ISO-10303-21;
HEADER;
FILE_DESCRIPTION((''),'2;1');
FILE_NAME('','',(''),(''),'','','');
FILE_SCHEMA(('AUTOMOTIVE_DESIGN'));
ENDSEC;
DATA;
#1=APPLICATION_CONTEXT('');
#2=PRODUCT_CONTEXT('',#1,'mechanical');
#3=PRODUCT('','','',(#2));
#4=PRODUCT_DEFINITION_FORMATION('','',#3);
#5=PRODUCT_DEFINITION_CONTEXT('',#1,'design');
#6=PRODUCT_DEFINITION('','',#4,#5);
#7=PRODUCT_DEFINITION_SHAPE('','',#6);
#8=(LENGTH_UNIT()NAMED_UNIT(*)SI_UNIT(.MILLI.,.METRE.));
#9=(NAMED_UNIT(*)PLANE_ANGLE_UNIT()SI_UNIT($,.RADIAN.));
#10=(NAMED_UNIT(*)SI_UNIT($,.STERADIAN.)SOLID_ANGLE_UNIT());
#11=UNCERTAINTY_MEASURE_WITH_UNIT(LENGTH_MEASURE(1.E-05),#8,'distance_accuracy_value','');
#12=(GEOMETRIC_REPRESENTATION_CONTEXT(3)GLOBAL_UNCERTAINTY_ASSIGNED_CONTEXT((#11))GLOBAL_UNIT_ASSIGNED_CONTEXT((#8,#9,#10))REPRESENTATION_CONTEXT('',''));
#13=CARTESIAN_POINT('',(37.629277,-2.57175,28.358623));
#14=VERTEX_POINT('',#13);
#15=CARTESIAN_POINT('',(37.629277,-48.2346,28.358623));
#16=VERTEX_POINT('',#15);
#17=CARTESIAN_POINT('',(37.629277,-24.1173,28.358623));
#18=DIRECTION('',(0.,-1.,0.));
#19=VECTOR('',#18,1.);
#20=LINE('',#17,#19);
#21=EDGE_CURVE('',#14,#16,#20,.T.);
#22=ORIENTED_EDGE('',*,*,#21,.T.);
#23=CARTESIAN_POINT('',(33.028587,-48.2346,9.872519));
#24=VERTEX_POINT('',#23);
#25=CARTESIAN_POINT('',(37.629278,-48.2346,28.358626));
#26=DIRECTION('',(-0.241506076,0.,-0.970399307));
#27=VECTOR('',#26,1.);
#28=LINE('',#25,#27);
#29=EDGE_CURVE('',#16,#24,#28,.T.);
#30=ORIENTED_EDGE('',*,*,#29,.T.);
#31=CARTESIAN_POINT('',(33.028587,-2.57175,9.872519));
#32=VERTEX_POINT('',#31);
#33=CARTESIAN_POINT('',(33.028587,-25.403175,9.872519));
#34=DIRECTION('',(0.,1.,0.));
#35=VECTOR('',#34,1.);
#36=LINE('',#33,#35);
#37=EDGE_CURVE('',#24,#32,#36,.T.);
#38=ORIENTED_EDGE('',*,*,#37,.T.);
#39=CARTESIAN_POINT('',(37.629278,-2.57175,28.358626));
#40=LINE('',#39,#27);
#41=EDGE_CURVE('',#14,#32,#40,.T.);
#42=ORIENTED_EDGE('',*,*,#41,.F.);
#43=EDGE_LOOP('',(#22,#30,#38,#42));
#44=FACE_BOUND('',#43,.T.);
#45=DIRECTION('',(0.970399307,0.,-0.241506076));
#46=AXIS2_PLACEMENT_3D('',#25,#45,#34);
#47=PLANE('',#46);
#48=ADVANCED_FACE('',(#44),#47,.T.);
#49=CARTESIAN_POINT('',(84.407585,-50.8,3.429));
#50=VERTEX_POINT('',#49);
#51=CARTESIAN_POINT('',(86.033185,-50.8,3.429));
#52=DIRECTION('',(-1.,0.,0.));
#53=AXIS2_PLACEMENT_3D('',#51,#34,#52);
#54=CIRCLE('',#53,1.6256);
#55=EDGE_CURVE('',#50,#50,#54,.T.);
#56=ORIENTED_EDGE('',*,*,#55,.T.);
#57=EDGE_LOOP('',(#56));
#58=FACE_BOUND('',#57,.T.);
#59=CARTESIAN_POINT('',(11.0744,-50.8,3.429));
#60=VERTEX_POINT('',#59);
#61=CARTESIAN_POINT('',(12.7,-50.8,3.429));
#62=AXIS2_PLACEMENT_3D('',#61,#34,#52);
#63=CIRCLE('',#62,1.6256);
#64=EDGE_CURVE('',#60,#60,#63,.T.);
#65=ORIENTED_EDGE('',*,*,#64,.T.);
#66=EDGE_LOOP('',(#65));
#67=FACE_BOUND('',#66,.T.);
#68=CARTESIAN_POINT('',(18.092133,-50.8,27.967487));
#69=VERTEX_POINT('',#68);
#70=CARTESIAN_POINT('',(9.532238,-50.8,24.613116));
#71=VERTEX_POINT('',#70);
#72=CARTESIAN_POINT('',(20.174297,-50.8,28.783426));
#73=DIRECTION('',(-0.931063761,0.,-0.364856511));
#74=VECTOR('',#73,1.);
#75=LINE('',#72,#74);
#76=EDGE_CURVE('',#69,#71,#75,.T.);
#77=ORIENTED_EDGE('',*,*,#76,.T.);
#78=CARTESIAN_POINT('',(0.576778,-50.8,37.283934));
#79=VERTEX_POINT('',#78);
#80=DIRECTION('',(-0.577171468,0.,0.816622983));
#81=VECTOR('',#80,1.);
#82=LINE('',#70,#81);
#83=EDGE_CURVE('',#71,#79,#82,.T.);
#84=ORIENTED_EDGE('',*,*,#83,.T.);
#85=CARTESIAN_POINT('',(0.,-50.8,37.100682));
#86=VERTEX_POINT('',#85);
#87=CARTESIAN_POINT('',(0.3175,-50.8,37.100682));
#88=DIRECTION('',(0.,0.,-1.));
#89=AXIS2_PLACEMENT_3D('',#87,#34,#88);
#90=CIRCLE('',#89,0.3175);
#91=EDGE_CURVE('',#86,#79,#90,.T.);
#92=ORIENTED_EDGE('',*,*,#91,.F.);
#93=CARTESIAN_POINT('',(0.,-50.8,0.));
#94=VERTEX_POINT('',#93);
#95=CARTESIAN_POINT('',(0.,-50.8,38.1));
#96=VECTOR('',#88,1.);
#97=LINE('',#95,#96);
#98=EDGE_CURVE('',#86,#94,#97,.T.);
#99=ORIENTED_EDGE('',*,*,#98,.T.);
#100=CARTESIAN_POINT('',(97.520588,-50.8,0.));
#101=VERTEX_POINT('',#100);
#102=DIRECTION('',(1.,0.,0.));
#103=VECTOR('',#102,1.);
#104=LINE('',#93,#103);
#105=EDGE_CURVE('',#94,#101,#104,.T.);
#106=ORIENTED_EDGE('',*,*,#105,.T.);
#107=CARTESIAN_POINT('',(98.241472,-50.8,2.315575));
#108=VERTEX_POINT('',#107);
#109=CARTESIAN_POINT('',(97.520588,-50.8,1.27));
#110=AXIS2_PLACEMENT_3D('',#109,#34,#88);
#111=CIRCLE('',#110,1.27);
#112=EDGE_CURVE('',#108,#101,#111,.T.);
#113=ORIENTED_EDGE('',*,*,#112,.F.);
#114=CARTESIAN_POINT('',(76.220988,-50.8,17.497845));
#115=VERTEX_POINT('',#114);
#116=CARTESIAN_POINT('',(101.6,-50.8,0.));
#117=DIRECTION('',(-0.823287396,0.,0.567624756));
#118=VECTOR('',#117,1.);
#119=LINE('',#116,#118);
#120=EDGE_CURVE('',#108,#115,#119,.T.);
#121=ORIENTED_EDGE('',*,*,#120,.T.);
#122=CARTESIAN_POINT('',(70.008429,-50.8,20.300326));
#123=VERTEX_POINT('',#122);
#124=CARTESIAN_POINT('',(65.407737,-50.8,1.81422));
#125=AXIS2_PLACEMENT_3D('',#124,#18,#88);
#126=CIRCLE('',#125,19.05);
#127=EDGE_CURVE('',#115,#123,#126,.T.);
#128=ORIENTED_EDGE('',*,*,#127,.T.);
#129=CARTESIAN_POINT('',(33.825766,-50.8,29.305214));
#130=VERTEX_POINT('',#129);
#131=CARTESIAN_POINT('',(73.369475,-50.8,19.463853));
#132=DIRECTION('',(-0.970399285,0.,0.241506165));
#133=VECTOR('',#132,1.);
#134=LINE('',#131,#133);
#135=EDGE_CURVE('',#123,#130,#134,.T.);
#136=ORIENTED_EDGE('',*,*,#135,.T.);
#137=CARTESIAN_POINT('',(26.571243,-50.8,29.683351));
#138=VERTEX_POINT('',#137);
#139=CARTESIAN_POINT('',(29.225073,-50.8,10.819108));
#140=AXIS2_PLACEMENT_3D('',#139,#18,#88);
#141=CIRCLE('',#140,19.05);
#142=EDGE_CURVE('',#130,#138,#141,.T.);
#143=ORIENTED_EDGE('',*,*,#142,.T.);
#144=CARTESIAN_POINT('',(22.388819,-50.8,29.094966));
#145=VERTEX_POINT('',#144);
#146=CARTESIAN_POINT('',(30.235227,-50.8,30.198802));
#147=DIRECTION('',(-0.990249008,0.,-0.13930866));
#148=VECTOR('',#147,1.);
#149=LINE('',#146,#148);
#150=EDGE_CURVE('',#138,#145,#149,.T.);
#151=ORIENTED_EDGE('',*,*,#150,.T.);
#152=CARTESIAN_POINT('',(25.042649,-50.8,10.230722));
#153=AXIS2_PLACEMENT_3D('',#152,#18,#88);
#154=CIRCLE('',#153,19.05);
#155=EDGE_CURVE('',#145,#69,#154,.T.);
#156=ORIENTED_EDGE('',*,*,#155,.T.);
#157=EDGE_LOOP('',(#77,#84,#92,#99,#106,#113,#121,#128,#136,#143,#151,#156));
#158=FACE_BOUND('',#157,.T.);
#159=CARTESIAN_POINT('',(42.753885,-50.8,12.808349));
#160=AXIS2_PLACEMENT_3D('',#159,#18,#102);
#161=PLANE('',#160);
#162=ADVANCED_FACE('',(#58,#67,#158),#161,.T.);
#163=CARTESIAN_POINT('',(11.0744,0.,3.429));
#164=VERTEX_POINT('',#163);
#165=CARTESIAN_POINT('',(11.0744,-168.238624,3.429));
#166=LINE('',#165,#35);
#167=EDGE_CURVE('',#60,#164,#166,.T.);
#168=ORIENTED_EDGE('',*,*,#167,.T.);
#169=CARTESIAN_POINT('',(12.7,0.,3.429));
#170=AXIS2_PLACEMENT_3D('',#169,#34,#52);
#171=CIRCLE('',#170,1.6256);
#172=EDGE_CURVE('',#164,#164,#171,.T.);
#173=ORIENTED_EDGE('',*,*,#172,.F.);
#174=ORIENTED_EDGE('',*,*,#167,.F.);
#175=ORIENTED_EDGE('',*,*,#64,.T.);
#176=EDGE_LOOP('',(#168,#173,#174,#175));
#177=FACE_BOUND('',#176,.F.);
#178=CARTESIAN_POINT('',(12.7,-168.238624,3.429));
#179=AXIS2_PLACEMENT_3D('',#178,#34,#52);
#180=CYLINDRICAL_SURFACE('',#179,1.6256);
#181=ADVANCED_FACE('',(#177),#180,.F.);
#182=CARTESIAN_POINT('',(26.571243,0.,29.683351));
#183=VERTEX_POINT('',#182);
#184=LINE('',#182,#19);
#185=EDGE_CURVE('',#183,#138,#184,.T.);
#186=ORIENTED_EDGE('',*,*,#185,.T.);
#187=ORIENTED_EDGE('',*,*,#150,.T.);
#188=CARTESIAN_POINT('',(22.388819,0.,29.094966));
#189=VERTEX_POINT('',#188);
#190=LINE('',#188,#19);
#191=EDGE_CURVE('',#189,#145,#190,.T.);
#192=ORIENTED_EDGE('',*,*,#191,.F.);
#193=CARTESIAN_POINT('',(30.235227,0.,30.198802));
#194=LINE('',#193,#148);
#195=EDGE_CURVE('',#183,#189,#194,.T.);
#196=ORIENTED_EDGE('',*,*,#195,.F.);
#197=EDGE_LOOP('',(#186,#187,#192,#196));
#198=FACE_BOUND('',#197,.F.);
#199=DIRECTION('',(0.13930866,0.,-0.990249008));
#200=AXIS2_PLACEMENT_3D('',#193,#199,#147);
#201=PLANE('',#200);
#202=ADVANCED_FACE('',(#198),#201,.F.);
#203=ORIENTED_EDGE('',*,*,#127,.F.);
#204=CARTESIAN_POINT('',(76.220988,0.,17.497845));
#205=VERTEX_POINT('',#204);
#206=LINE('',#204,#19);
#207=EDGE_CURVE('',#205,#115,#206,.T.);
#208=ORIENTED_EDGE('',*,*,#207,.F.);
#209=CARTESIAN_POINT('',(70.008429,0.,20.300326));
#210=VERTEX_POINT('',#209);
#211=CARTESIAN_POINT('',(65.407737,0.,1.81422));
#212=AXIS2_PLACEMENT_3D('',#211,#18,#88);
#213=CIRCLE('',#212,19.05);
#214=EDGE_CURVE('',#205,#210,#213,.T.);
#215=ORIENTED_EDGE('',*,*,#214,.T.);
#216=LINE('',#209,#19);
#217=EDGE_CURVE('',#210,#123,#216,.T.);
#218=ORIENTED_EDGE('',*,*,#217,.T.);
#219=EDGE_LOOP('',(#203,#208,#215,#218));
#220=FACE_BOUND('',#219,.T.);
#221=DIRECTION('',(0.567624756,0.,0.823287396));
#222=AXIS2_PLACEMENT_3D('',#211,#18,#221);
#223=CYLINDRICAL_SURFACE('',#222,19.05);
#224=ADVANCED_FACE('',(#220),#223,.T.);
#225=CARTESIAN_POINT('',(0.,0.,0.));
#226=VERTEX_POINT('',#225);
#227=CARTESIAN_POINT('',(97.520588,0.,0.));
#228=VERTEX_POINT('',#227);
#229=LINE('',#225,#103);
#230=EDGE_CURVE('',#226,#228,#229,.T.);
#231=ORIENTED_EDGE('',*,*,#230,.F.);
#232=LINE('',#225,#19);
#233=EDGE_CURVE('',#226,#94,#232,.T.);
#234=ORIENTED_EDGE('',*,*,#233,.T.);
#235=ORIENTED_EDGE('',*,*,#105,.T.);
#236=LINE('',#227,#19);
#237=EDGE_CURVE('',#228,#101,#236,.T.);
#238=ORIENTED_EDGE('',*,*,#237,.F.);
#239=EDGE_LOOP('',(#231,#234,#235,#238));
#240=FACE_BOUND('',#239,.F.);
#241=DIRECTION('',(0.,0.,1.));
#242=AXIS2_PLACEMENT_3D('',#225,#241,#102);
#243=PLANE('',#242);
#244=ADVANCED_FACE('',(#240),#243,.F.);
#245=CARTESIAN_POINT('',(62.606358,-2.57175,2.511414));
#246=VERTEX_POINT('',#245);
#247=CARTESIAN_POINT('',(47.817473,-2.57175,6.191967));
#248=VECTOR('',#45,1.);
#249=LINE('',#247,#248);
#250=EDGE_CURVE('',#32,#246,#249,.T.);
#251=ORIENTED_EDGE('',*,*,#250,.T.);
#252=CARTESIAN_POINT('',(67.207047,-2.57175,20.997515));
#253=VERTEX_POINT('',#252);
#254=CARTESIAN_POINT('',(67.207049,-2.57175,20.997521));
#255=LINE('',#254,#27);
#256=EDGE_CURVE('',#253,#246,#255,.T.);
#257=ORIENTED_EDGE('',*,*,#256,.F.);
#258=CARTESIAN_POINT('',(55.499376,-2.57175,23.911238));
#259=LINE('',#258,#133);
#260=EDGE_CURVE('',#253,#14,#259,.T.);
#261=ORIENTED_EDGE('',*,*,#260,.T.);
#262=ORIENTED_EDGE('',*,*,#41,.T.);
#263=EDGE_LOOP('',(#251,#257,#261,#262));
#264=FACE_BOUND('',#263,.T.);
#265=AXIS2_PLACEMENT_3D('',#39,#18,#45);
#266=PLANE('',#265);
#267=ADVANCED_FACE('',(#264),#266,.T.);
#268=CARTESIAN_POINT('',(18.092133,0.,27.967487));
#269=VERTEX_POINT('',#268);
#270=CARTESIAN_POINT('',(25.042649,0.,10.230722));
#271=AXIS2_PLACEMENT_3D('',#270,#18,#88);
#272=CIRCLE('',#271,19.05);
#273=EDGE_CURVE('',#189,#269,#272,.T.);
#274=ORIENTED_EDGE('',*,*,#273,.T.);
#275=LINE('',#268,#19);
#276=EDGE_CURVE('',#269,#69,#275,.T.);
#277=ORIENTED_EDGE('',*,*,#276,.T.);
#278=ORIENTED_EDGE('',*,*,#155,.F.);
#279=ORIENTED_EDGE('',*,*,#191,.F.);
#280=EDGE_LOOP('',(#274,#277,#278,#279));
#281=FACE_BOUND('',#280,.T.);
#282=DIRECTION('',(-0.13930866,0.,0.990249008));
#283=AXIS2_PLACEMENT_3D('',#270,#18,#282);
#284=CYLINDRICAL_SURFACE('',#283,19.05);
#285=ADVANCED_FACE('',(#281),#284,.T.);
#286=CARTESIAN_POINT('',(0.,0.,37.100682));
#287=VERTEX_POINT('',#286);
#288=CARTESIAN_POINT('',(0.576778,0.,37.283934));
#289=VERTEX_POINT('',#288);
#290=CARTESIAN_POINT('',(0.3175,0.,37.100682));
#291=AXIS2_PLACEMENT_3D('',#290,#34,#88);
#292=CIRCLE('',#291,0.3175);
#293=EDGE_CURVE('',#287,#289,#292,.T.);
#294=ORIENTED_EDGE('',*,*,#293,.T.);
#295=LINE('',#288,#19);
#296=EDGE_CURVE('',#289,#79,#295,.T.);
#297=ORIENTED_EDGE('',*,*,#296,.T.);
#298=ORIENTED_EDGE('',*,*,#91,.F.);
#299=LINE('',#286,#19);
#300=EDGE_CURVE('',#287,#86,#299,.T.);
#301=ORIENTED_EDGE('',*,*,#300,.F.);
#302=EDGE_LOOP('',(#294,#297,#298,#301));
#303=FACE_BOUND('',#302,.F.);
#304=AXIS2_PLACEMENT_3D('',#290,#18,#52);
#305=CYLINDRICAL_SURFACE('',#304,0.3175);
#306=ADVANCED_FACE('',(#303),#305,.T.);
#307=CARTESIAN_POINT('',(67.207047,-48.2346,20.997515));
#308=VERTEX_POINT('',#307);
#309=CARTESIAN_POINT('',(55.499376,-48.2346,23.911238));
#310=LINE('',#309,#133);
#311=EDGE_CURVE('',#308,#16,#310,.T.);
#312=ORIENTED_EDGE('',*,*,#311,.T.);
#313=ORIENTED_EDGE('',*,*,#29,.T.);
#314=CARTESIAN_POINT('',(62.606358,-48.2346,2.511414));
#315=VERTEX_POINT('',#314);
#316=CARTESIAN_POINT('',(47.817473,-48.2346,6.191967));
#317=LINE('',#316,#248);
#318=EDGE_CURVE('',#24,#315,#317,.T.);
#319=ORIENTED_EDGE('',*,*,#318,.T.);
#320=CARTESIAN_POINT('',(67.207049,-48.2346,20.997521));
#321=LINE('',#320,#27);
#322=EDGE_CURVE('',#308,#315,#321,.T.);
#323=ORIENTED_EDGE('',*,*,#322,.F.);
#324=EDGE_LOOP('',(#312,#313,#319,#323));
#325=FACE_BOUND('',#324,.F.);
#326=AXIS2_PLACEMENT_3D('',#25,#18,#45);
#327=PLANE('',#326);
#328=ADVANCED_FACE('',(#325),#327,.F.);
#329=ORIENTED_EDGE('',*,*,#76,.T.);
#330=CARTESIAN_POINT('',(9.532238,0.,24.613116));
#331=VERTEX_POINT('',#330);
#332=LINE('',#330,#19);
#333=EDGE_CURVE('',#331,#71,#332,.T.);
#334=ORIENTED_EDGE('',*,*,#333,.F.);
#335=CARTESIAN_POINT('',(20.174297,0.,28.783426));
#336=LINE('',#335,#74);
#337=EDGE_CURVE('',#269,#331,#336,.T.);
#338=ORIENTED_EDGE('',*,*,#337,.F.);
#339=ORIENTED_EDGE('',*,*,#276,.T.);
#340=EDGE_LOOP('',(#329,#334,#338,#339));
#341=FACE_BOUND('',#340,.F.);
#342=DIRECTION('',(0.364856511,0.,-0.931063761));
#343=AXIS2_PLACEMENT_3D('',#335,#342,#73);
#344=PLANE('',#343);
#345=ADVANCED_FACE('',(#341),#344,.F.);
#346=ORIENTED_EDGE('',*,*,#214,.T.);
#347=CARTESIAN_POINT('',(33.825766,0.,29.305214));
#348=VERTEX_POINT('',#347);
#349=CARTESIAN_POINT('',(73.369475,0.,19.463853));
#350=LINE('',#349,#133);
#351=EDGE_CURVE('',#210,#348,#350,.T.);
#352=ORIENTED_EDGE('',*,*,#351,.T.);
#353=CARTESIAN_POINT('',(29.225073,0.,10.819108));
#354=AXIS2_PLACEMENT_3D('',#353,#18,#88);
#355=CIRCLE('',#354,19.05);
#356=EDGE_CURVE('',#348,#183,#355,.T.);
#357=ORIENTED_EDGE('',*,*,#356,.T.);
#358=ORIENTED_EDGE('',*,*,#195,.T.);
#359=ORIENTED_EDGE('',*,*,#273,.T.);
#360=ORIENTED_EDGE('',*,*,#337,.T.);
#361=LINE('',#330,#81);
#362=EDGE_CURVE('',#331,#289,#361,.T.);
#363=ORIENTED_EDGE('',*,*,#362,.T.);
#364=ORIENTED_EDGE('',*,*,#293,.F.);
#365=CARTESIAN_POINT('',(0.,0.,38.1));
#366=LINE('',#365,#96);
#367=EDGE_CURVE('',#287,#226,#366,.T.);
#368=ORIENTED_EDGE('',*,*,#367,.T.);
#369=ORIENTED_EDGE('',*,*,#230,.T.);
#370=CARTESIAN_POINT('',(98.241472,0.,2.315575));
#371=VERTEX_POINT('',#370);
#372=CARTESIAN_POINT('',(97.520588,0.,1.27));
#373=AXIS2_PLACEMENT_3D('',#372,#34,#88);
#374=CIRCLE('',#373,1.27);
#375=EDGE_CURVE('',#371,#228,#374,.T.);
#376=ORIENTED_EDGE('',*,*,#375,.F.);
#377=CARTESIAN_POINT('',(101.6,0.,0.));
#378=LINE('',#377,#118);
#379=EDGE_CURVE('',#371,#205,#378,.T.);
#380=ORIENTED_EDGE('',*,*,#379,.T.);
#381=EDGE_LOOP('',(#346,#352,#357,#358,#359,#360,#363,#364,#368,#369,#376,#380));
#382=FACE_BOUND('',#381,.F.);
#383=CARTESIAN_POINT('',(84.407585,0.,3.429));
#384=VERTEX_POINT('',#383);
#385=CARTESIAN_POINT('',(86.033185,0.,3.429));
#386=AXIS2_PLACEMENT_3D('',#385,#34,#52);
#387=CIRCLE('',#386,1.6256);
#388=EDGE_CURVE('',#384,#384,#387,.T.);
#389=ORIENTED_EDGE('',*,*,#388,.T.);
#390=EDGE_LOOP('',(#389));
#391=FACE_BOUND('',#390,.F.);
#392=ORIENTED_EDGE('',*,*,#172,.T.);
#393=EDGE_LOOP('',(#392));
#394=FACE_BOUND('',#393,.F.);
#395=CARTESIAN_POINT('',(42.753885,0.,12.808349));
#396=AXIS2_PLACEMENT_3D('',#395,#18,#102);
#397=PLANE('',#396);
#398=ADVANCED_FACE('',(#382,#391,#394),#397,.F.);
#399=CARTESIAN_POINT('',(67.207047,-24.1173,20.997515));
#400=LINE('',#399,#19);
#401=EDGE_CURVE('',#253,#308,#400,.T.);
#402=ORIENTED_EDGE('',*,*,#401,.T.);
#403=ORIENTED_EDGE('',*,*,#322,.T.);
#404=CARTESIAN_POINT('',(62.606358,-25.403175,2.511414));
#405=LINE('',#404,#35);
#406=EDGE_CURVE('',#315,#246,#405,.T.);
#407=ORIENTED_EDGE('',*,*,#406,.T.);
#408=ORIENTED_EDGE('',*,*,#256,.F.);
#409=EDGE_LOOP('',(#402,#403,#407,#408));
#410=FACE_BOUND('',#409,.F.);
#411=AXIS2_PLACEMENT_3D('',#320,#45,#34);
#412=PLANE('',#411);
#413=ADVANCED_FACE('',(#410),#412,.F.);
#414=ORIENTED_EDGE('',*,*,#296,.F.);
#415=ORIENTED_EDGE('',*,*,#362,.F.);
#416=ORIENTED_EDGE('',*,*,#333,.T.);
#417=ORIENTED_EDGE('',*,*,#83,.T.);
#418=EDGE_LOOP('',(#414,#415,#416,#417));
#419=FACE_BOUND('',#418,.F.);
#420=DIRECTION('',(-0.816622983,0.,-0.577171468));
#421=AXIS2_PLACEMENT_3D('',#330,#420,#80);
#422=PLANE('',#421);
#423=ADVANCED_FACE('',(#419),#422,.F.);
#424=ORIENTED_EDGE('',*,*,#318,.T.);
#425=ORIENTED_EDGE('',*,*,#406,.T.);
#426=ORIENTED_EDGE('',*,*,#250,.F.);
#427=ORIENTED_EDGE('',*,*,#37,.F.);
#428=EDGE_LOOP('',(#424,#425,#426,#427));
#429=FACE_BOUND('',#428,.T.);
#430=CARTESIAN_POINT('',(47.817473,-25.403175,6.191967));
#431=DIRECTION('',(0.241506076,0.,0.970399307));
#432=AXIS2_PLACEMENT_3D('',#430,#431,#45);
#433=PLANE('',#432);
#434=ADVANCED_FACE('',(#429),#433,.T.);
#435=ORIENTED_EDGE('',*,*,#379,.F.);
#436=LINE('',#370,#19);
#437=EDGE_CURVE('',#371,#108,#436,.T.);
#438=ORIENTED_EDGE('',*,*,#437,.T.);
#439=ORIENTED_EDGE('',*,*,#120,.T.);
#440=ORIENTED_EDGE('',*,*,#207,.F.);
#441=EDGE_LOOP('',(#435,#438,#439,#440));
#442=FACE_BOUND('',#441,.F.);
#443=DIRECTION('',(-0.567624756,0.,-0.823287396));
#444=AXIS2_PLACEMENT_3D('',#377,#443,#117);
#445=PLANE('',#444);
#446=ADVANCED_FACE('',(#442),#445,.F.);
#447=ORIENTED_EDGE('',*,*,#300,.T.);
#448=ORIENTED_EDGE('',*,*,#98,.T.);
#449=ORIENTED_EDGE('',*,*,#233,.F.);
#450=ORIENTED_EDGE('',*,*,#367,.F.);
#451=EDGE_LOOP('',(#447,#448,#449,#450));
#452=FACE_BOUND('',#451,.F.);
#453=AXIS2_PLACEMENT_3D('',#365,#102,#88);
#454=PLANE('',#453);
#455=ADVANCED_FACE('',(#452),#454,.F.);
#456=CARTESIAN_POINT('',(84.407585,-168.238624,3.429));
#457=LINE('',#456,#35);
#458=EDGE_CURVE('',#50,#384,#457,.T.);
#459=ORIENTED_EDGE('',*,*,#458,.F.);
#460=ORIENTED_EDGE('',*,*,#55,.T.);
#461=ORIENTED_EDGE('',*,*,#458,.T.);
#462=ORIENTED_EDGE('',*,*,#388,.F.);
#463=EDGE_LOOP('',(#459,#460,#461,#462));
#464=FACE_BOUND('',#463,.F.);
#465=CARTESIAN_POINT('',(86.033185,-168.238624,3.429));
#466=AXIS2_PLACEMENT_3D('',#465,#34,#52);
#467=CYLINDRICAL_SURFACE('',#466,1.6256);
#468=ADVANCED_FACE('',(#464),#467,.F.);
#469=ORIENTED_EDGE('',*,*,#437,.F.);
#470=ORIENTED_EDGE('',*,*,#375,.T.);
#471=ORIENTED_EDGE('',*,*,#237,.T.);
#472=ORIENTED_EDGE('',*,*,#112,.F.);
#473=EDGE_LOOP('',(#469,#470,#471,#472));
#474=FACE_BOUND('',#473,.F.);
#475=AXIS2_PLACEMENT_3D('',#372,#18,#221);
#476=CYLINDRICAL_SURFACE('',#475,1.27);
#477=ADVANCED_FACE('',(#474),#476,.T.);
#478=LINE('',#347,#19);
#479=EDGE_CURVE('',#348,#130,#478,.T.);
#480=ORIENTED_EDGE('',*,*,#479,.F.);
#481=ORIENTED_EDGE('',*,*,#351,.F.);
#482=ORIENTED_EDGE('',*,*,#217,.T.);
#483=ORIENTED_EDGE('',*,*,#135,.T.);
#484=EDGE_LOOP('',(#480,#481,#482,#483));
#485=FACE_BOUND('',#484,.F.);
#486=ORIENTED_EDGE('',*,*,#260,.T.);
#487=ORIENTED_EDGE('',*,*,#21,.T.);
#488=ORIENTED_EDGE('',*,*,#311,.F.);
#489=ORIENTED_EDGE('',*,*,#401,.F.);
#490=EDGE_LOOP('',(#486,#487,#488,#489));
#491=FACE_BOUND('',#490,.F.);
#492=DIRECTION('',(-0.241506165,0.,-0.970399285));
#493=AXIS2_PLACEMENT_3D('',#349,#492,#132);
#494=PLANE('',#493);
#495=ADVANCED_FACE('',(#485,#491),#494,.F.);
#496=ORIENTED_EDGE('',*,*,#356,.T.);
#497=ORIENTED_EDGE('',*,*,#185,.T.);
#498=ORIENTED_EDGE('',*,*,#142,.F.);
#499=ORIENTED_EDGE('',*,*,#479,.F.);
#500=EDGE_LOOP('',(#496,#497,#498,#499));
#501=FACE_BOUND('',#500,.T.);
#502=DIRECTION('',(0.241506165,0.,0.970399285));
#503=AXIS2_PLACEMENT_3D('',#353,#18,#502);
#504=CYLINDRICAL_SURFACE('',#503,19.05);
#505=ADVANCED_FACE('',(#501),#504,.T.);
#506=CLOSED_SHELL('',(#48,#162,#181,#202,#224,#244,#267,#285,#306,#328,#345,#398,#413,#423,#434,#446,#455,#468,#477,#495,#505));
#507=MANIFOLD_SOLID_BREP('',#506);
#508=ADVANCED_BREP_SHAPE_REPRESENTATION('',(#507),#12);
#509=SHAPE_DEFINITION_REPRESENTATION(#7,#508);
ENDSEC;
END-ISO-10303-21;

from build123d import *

# Parameters (mm, degrees)
F1_DEPTH = 50.8
F2_R     = 19.05
F3_R     = 1.27
F4_W     = 30.48
F4_H     = 45.66285
F5_DEPTH = 19.05
F7_D     = 3.2512
F8_R     = 0.3175


with BuildPart() as f1:
    # F0 (on Front) → F1 (new body)
    with BuildSketch(Plane.XZ):
        Polygon((0, 38.1), (0, 0), (101.6, 0), (73.369475, 19.463853), (30.235227, 30.198802), (20.174297, 28.783426), (9.532238, 24.613116), align=None)
    extrude(amount=F1_DEPTH)

    # F2
    f2_edges = [f1.edges().sort_by_distance(p)[0] for p in [
        (30.235227, -25.4, 30.198802),
        (73.369475, -25.4, 19.463853),
        (20.174297, -25.4, 28.783426),
    ]]
    fillet(f2_edges, radius=F2_R)

    # F3
    f3_edges = [f1.edges().sort_by_distance(p)[0] for p in [
        (101.6, -25.4, 0),
    ]]
    fillet(f3_edges, radius=F3_R)

    # F4 (on face) → F5 (cut)
    with BuildSketch(Plane(origin=(8.84079, 0, 35.5233), x_dir=(0.970399, 0, -0.241506), z_dir=(0.241506, 0, 0.970399))):
        with Locations((44.906641, -25.403175)):
            Rectangle(F4_W, F4_H)
    extrude(amount=-F5_DEPTH, mode=Mode.SUBTRACT)

    # F7 (through all)
    with Locations(Plane.XZ.offset(50.8)):
        with Locations((12.7, 3.429), (86.033185, 3.429)):
            Hole(F7_D / 2)

    # F8
    f8_edges = [f1.edges().sort_by_distance(p)[0] for p in [
        (0, -25.4, 38.1),
    ]]
    fillet(f8_edges, radius=F8_R)


solid = f1.part
